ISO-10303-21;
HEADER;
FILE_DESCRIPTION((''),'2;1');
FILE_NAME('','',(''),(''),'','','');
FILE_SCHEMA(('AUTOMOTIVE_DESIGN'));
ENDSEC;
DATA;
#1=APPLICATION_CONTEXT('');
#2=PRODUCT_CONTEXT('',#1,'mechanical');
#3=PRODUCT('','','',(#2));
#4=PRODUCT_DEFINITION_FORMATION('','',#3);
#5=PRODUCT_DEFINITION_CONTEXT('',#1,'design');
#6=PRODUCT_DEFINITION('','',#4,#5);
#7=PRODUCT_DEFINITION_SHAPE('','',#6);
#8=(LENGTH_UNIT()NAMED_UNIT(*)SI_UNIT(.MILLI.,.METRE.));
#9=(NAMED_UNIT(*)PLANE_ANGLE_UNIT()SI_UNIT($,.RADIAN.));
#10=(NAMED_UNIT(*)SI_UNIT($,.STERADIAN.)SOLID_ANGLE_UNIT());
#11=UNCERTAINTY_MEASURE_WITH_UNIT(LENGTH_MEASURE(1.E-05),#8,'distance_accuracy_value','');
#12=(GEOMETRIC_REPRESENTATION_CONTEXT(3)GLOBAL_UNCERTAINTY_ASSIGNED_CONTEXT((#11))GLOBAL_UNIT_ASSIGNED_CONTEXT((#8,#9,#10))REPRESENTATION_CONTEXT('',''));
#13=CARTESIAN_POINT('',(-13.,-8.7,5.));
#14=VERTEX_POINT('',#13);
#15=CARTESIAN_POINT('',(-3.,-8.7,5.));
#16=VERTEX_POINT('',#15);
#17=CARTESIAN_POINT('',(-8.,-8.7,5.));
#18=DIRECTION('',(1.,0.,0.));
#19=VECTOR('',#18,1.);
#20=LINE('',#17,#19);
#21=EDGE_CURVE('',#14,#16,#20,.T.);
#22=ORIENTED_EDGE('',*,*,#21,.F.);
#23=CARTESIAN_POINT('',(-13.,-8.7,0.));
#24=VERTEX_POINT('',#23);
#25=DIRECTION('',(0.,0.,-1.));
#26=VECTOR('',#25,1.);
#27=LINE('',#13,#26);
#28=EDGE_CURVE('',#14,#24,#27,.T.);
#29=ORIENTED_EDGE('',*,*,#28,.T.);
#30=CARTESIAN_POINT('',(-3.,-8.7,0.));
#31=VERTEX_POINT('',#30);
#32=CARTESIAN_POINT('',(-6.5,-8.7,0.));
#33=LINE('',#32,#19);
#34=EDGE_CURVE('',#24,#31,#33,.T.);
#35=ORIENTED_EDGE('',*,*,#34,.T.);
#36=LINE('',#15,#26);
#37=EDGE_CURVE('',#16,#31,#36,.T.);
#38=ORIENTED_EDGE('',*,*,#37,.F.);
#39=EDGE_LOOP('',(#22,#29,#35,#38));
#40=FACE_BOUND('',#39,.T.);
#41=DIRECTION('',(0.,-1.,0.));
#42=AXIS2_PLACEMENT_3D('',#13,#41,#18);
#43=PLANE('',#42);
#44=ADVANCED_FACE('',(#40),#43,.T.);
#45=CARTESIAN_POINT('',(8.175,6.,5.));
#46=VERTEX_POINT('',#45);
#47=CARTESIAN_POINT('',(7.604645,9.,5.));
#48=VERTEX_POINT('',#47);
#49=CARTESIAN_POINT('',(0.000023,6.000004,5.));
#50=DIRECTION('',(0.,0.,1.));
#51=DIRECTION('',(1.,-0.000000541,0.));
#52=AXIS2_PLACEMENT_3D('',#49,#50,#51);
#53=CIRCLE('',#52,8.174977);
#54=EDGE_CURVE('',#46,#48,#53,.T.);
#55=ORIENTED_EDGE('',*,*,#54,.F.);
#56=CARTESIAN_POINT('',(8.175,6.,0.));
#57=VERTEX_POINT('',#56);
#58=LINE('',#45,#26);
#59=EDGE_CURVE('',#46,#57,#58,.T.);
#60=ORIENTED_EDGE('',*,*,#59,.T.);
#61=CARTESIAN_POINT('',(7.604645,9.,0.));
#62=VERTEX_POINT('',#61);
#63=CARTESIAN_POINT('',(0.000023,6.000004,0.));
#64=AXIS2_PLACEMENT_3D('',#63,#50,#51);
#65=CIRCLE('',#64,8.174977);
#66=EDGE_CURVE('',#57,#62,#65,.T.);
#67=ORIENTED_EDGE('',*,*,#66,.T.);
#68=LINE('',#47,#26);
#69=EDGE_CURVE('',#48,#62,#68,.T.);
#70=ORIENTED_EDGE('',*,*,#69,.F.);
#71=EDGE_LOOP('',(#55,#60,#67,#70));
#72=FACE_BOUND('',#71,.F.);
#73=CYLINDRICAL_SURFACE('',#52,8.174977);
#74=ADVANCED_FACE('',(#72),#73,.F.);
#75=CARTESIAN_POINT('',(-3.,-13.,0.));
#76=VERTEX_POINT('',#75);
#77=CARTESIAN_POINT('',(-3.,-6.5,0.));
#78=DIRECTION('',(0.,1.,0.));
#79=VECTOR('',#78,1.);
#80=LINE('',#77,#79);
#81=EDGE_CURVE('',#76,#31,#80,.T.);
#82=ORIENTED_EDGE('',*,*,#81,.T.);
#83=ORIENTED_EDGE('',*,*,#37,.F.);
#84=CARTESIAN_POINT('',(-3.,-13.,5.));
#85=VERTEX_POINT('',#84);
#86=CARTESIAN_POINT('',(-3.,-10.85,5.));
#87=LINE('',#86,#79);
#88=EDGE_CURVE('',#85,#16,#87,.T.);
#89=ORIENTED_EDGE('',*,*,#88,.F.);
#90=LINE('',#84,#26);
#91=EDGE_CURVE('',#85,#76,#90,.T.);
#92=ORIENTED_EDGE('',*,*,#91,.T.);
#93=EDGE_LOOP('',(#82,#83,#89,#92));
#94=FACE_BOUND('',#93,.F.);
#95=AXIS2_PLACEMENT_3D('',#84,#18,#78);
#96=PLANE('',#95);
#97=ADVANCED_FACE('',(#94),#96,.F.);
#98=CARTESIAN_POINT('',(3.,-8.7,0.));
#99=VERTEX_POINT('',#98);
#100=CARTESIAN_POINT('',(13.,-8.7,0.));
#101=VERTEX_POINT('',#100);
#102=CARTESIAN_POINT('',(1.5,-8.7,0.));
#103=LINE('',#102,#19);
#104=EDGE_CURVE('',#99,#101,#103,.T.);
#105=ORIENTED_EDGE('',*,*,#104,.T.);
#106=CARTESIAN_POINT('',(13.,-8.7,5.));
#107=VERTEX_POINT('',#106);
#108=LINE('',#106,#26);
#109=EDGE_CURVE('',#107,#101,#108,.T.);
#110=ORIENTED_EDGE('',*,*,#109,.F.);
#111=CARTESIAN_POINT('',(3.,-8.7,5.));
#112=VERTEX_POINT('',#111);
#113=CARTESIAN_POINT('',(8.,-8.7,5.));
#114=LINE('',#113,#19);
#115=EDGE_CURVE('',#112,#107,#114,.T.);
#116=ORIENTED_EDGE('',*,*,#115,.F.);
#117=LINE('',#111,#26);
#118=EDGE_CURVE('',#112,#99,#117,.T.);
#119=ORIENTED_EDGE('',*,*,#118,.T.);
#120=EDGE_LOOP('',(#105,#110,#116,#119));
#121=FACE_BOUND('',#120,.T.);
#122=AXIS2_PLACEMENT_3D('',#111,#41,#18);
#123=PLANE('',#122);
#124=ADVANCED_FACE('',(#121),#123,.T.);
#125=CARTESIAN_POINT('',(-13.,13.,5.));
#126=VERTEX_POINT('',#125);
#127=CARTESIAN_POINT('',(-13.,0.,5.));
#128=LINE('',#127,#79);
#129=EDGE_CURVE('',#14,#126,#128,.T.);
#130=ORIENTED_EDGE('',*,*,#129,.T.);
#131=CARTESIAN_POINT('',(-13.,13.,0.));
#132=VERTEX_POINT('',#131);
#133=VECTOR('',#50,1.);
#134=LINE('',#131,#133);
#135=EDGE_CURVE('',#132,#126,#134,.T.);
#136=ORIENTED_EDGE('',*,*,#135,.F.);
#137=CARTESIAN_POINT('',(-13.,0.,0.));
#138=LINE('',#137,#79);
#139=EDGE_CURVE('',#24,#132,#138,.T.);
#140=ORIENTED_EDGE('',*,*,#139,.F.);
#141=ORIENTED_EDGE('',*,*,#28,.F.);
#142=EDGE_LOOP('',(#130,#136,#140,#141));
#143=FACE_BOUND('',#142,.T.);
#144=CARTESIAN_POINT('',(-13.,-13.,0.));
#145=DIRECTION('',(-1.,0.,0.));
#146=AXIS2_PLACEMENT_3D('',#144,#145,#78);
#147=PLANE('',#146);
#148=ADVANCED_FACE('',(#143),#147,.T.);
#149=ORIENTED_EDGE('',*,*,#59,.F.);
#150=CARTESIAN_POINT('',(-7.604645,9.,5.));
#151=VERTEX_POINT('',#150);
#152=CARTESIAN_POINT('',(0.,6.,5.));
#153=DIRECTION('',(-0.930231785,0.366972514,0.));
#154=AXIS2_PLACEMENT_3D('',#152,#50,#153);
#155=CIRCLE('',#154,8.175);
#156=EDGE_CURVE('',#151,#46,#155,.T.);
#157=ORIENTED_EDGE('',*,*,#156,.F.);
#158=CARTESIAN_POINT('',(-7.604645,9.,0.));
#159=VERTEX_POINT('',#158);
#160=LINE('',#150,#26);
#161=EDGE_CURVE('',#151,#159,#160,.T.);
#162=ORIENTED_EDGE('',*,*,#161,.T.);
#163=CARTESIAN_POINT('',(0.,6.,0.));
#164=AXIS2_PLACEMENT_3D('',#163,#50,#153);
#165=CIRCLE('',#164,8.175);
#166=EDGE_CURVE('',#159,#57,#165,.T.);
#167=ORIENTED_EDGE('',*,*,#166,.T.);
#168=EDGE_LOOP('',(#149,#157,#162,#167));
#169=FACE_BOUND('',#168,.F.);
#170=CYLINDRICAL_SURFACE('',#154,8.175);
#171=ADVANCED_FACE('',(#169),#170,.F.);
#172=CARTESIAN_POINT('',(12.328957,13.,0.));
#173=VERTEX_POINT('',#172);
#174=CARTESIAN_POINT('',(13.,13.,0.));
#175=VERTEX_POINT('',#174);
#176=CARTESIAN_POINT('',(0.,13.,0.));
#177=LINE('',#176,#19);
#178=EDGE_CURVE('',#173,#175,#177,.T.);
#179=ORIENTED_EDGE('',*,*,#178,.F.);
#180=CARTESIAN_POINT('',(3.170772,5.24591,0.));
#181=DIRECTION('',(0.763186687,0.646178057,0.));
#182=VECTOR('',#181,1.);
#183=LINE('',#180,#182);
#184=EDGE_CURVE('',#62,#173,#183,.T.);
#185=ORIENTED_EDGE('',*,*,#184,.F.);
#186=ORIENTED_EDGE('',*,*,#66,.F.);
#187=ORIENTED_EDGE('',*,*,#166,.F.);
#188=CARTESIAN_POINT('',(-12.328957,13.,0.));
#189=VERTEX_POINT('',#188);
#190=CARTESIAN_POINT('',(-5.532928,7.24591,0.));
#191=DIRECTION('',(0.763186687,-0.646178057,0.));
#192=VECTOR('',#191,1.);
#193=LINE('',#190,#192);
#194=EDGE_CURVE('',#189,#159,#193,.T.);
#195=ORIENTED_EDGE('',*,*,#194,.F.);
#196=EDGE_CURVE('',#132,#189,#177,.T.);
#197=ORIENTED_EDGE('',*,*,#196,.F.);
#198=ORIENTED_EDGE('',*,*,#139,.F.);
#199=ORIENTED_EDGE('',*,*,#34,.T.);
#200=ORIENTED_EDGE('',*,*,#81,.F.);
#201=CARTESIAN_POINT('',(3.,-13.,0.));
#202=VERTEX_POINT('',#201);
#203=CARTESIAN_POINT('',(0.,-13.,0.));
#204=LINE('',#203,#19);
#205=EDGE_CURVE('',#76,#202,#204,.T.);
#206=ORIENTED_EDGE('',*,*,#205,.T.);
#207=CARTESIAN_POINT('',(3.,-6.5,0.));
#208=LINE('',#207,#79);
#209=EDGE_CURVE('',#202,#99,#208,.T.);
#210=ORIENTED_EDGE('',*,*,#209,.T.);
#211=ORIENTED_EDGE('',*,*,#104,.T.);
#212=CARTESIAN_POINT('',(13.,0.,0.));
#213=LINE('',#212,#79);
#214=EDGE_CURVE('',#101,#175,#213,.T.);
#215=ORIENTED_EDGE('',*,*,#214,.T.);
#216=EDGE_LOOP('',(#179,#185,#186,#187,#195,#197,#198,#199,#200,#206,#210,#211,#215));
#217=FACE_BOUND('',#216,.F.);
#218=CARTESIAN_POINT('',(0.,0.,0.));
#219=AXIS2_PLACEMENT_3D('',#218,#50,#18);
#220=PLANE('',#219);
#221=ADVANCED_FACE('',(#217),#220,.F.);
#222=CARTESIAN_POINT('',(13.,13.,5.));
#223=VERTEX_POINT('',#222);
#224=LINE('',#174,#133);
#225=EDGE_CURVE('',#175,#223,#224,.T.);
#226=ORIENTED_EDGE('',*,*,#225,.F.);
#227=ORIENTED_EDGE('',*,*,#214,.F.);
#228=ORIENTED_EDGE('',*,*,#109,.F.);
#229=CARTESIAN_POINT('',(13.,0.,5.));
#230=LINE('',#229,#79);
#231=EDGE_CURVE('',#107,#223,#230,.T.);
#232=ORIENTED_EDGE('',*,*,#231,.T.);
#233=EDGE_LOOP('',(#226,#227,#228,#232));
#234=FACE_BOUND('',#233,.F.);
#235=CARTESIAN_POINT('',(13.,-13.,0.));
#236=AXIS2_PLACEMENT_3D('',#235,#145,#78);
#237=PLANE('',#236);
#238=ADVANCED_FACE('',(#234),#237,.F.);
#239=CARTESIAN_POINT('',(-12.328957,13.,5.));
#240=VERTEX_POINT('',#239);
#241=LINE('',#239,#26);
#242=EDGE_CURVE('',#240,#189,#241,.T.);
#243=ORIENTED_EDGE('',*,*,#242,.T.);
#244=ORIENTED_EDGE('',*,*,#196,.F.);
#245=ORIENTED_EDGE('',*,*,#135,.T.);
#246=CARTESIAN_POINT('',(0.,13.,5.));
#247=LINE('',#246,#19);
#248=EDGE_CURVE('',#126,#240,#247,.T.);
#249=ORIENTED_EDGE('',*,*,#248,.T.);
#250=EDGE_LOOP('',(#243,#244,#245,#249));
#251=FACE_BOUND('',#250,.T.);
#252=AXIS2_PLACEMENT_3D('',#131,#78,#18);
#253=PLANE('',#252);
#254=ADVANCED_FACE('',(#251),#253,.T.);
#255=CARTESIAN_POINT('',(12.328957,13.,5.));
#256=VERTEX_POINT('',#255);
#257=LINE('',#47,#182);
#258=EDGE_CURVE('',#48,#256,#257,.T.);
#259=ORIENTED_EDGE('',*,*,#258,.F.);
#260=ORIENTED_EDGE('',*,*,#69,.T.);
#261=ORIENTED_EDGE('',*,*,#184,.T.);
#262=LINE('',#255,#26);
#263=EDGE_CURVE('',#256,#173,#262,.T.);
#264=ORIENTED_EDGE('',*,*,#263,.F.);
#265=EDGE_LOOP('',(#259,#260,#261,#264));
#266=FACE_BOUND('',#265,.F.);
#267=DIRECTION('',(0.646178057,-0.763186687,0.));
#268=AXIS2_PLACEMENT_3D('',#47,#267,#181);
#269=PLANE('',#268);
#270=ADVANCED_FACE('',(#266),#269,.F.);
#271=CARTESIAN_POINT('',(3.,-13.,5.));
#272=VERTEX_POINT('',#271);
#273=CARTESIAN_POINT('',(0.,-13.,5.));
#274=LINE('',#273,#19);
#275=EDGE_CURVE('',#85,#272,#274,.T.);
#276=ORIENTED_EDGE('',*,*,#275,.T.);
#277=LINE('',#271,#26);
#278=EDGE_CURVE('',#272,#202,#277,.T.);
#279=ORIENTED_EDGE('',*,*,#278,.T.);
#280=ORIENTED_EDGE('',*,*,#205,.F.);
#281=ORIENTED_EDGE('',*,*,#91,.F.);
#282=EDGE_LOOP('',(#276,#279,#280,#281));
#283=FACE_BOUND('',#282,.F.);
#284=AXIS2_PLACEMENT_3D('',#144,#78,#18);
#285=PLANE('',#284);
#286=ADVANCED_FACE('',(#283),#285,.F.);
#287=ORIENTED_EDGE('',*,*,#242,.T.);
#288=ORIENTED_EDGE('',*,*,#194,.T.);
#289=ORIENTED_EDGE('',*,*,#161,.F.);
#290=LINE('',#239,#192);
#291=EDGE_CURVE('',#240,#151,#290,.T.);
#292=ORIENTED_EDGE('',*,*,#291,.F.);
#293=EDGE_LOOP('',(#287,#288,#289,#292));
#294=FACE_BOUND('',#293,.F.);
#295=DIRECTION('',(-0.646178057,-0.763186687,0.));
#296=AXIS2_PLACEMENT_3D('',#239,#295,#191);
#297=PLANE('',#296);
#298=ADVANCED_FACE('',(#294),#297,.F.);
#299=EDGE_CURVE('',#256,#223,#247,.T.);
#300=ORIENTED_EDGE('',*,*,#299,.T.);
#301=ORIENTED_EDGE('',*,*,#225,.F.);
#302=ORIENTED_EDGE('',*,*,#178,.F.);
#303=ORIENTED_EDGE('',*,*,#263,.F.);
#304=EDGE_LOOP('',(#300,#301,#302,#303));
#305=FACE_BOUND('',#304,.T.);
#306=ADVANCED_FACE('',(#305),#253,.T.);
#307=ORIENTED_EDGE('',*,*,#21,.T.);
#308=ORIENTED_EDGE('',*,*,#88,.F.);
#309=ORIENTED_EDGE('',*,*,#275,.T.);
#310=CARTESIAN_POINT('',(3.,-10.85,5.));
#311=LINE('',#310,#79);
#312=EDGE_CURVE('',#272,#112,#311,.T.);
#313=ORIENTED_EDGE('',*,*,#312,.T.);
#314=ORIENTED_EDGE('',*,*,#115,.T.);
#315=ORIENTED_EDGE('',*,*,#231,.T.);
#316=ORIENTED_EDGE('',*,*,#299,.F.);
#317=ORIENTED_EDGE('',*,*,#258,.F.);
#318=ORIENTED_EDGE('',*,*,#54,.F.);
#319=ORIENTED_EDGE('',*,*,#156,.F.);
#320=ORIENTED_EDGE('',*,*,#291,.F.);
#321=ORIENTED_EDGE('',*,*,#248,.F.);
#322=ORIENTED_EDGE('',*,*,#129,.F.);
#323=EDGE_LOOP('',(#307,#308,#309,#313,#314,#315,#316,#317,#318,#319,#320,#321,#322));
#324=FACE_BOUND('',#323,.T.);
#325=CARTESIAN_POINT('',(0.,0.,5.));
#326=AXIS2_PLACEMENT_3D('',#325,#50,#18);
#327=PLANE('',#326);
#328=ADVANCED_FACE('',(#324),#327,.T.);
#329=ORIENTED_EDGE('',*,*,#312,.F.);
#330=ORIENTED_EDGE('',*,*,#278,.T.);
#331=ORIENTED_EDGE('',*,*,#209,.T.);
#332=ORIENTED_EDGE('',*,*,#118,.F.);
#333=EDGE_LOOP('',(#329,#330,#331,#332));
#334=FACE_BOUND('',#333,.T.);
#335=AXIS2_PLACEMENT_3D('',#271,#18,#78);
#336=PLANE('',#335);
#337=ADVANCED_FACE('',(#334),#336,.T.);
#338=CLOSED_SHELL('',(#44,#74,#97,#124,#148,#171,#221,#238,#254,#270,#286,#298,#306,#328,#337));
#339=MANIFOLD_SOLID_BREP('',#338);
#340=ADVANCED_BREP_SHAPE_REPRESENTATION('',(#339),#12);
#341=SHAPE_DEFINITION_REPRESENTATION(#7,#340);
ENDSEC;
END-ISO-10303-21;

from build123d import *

# Parameters (mm, degrees)
F0_W     = 26
F0_H     = 26
F1_DEPTH = 5
F3_DEPTH = 25
F4_W     = 10
F4_H     = 4.3
F5_DEPTH = 25


with BuildPart() as f1:
    # F0 (on Top) → F1 (new body)
    with BuildSketch(Plane.XY):
        Rectangle(F0_W, F0_H)
    extrude(amount=F1_DEPTH)

    # F2 (on face) → F3 (cut)
    with BuildSketch(Plane.XY.offset(5)):
        with BuildLine():
            ThreePointArc((-7.604645, 9), (-1.526868, -2.031146), (8.175, 6))
            ThreePointArc((8.175, 6), (8.031146, 7.526868), (7.604645, 9))
            ThreePointArc((7.604645, 9), (6.242686, 11.27821), (4.222632, 13))
            Line((4.222632, 13), (-4.222632, 13))
            ThreePointArc((-4.222632, 13), (-6.242686, 11.27821), (-7.604645, 9))
        make_face()
        with BuildLine():
            ThreePointArc((4.222632, 13), (6.242686, 11.27821), (7.604645, 9))
            Line((7.604645, 9), (12.328957, 13))
            Line((12.328957, 13), (4.222632, 13))
        make_face()
        with BuildLine():
            Line((-12.328957, 13), (-7.604645, 9))
            ThreePointArc((-7.604645, 9), (-6.242686, 11.27821), (-4.222632, 13))
            Line((-4.222632, 13), (-12.328957, 13))
        make_face()
        with BuildLine():
            Line((-4.222632, 13), (4.222632, 13))
            ThreePointArc((4.222632, 13), (0, 14.175), (-4.222632, 13))
        make_face()
    extrude(amount=-F3_DEPTH, mode=Mode.SUBTRACT)

    # F4 (on face) → F5 (cut)
    with BuildSketch(Plane.XY.offset(5)):
        with Locations((-8, -10.85)):
            Rectangle(F4_W, F4_H)
        with Locations((8, -10.85)):
            Rectangle(F4_W, F4_H)
    extrude(amount=-F5_DEPTH, mode=Mode.SUBTRACT)


solid = f1.part
